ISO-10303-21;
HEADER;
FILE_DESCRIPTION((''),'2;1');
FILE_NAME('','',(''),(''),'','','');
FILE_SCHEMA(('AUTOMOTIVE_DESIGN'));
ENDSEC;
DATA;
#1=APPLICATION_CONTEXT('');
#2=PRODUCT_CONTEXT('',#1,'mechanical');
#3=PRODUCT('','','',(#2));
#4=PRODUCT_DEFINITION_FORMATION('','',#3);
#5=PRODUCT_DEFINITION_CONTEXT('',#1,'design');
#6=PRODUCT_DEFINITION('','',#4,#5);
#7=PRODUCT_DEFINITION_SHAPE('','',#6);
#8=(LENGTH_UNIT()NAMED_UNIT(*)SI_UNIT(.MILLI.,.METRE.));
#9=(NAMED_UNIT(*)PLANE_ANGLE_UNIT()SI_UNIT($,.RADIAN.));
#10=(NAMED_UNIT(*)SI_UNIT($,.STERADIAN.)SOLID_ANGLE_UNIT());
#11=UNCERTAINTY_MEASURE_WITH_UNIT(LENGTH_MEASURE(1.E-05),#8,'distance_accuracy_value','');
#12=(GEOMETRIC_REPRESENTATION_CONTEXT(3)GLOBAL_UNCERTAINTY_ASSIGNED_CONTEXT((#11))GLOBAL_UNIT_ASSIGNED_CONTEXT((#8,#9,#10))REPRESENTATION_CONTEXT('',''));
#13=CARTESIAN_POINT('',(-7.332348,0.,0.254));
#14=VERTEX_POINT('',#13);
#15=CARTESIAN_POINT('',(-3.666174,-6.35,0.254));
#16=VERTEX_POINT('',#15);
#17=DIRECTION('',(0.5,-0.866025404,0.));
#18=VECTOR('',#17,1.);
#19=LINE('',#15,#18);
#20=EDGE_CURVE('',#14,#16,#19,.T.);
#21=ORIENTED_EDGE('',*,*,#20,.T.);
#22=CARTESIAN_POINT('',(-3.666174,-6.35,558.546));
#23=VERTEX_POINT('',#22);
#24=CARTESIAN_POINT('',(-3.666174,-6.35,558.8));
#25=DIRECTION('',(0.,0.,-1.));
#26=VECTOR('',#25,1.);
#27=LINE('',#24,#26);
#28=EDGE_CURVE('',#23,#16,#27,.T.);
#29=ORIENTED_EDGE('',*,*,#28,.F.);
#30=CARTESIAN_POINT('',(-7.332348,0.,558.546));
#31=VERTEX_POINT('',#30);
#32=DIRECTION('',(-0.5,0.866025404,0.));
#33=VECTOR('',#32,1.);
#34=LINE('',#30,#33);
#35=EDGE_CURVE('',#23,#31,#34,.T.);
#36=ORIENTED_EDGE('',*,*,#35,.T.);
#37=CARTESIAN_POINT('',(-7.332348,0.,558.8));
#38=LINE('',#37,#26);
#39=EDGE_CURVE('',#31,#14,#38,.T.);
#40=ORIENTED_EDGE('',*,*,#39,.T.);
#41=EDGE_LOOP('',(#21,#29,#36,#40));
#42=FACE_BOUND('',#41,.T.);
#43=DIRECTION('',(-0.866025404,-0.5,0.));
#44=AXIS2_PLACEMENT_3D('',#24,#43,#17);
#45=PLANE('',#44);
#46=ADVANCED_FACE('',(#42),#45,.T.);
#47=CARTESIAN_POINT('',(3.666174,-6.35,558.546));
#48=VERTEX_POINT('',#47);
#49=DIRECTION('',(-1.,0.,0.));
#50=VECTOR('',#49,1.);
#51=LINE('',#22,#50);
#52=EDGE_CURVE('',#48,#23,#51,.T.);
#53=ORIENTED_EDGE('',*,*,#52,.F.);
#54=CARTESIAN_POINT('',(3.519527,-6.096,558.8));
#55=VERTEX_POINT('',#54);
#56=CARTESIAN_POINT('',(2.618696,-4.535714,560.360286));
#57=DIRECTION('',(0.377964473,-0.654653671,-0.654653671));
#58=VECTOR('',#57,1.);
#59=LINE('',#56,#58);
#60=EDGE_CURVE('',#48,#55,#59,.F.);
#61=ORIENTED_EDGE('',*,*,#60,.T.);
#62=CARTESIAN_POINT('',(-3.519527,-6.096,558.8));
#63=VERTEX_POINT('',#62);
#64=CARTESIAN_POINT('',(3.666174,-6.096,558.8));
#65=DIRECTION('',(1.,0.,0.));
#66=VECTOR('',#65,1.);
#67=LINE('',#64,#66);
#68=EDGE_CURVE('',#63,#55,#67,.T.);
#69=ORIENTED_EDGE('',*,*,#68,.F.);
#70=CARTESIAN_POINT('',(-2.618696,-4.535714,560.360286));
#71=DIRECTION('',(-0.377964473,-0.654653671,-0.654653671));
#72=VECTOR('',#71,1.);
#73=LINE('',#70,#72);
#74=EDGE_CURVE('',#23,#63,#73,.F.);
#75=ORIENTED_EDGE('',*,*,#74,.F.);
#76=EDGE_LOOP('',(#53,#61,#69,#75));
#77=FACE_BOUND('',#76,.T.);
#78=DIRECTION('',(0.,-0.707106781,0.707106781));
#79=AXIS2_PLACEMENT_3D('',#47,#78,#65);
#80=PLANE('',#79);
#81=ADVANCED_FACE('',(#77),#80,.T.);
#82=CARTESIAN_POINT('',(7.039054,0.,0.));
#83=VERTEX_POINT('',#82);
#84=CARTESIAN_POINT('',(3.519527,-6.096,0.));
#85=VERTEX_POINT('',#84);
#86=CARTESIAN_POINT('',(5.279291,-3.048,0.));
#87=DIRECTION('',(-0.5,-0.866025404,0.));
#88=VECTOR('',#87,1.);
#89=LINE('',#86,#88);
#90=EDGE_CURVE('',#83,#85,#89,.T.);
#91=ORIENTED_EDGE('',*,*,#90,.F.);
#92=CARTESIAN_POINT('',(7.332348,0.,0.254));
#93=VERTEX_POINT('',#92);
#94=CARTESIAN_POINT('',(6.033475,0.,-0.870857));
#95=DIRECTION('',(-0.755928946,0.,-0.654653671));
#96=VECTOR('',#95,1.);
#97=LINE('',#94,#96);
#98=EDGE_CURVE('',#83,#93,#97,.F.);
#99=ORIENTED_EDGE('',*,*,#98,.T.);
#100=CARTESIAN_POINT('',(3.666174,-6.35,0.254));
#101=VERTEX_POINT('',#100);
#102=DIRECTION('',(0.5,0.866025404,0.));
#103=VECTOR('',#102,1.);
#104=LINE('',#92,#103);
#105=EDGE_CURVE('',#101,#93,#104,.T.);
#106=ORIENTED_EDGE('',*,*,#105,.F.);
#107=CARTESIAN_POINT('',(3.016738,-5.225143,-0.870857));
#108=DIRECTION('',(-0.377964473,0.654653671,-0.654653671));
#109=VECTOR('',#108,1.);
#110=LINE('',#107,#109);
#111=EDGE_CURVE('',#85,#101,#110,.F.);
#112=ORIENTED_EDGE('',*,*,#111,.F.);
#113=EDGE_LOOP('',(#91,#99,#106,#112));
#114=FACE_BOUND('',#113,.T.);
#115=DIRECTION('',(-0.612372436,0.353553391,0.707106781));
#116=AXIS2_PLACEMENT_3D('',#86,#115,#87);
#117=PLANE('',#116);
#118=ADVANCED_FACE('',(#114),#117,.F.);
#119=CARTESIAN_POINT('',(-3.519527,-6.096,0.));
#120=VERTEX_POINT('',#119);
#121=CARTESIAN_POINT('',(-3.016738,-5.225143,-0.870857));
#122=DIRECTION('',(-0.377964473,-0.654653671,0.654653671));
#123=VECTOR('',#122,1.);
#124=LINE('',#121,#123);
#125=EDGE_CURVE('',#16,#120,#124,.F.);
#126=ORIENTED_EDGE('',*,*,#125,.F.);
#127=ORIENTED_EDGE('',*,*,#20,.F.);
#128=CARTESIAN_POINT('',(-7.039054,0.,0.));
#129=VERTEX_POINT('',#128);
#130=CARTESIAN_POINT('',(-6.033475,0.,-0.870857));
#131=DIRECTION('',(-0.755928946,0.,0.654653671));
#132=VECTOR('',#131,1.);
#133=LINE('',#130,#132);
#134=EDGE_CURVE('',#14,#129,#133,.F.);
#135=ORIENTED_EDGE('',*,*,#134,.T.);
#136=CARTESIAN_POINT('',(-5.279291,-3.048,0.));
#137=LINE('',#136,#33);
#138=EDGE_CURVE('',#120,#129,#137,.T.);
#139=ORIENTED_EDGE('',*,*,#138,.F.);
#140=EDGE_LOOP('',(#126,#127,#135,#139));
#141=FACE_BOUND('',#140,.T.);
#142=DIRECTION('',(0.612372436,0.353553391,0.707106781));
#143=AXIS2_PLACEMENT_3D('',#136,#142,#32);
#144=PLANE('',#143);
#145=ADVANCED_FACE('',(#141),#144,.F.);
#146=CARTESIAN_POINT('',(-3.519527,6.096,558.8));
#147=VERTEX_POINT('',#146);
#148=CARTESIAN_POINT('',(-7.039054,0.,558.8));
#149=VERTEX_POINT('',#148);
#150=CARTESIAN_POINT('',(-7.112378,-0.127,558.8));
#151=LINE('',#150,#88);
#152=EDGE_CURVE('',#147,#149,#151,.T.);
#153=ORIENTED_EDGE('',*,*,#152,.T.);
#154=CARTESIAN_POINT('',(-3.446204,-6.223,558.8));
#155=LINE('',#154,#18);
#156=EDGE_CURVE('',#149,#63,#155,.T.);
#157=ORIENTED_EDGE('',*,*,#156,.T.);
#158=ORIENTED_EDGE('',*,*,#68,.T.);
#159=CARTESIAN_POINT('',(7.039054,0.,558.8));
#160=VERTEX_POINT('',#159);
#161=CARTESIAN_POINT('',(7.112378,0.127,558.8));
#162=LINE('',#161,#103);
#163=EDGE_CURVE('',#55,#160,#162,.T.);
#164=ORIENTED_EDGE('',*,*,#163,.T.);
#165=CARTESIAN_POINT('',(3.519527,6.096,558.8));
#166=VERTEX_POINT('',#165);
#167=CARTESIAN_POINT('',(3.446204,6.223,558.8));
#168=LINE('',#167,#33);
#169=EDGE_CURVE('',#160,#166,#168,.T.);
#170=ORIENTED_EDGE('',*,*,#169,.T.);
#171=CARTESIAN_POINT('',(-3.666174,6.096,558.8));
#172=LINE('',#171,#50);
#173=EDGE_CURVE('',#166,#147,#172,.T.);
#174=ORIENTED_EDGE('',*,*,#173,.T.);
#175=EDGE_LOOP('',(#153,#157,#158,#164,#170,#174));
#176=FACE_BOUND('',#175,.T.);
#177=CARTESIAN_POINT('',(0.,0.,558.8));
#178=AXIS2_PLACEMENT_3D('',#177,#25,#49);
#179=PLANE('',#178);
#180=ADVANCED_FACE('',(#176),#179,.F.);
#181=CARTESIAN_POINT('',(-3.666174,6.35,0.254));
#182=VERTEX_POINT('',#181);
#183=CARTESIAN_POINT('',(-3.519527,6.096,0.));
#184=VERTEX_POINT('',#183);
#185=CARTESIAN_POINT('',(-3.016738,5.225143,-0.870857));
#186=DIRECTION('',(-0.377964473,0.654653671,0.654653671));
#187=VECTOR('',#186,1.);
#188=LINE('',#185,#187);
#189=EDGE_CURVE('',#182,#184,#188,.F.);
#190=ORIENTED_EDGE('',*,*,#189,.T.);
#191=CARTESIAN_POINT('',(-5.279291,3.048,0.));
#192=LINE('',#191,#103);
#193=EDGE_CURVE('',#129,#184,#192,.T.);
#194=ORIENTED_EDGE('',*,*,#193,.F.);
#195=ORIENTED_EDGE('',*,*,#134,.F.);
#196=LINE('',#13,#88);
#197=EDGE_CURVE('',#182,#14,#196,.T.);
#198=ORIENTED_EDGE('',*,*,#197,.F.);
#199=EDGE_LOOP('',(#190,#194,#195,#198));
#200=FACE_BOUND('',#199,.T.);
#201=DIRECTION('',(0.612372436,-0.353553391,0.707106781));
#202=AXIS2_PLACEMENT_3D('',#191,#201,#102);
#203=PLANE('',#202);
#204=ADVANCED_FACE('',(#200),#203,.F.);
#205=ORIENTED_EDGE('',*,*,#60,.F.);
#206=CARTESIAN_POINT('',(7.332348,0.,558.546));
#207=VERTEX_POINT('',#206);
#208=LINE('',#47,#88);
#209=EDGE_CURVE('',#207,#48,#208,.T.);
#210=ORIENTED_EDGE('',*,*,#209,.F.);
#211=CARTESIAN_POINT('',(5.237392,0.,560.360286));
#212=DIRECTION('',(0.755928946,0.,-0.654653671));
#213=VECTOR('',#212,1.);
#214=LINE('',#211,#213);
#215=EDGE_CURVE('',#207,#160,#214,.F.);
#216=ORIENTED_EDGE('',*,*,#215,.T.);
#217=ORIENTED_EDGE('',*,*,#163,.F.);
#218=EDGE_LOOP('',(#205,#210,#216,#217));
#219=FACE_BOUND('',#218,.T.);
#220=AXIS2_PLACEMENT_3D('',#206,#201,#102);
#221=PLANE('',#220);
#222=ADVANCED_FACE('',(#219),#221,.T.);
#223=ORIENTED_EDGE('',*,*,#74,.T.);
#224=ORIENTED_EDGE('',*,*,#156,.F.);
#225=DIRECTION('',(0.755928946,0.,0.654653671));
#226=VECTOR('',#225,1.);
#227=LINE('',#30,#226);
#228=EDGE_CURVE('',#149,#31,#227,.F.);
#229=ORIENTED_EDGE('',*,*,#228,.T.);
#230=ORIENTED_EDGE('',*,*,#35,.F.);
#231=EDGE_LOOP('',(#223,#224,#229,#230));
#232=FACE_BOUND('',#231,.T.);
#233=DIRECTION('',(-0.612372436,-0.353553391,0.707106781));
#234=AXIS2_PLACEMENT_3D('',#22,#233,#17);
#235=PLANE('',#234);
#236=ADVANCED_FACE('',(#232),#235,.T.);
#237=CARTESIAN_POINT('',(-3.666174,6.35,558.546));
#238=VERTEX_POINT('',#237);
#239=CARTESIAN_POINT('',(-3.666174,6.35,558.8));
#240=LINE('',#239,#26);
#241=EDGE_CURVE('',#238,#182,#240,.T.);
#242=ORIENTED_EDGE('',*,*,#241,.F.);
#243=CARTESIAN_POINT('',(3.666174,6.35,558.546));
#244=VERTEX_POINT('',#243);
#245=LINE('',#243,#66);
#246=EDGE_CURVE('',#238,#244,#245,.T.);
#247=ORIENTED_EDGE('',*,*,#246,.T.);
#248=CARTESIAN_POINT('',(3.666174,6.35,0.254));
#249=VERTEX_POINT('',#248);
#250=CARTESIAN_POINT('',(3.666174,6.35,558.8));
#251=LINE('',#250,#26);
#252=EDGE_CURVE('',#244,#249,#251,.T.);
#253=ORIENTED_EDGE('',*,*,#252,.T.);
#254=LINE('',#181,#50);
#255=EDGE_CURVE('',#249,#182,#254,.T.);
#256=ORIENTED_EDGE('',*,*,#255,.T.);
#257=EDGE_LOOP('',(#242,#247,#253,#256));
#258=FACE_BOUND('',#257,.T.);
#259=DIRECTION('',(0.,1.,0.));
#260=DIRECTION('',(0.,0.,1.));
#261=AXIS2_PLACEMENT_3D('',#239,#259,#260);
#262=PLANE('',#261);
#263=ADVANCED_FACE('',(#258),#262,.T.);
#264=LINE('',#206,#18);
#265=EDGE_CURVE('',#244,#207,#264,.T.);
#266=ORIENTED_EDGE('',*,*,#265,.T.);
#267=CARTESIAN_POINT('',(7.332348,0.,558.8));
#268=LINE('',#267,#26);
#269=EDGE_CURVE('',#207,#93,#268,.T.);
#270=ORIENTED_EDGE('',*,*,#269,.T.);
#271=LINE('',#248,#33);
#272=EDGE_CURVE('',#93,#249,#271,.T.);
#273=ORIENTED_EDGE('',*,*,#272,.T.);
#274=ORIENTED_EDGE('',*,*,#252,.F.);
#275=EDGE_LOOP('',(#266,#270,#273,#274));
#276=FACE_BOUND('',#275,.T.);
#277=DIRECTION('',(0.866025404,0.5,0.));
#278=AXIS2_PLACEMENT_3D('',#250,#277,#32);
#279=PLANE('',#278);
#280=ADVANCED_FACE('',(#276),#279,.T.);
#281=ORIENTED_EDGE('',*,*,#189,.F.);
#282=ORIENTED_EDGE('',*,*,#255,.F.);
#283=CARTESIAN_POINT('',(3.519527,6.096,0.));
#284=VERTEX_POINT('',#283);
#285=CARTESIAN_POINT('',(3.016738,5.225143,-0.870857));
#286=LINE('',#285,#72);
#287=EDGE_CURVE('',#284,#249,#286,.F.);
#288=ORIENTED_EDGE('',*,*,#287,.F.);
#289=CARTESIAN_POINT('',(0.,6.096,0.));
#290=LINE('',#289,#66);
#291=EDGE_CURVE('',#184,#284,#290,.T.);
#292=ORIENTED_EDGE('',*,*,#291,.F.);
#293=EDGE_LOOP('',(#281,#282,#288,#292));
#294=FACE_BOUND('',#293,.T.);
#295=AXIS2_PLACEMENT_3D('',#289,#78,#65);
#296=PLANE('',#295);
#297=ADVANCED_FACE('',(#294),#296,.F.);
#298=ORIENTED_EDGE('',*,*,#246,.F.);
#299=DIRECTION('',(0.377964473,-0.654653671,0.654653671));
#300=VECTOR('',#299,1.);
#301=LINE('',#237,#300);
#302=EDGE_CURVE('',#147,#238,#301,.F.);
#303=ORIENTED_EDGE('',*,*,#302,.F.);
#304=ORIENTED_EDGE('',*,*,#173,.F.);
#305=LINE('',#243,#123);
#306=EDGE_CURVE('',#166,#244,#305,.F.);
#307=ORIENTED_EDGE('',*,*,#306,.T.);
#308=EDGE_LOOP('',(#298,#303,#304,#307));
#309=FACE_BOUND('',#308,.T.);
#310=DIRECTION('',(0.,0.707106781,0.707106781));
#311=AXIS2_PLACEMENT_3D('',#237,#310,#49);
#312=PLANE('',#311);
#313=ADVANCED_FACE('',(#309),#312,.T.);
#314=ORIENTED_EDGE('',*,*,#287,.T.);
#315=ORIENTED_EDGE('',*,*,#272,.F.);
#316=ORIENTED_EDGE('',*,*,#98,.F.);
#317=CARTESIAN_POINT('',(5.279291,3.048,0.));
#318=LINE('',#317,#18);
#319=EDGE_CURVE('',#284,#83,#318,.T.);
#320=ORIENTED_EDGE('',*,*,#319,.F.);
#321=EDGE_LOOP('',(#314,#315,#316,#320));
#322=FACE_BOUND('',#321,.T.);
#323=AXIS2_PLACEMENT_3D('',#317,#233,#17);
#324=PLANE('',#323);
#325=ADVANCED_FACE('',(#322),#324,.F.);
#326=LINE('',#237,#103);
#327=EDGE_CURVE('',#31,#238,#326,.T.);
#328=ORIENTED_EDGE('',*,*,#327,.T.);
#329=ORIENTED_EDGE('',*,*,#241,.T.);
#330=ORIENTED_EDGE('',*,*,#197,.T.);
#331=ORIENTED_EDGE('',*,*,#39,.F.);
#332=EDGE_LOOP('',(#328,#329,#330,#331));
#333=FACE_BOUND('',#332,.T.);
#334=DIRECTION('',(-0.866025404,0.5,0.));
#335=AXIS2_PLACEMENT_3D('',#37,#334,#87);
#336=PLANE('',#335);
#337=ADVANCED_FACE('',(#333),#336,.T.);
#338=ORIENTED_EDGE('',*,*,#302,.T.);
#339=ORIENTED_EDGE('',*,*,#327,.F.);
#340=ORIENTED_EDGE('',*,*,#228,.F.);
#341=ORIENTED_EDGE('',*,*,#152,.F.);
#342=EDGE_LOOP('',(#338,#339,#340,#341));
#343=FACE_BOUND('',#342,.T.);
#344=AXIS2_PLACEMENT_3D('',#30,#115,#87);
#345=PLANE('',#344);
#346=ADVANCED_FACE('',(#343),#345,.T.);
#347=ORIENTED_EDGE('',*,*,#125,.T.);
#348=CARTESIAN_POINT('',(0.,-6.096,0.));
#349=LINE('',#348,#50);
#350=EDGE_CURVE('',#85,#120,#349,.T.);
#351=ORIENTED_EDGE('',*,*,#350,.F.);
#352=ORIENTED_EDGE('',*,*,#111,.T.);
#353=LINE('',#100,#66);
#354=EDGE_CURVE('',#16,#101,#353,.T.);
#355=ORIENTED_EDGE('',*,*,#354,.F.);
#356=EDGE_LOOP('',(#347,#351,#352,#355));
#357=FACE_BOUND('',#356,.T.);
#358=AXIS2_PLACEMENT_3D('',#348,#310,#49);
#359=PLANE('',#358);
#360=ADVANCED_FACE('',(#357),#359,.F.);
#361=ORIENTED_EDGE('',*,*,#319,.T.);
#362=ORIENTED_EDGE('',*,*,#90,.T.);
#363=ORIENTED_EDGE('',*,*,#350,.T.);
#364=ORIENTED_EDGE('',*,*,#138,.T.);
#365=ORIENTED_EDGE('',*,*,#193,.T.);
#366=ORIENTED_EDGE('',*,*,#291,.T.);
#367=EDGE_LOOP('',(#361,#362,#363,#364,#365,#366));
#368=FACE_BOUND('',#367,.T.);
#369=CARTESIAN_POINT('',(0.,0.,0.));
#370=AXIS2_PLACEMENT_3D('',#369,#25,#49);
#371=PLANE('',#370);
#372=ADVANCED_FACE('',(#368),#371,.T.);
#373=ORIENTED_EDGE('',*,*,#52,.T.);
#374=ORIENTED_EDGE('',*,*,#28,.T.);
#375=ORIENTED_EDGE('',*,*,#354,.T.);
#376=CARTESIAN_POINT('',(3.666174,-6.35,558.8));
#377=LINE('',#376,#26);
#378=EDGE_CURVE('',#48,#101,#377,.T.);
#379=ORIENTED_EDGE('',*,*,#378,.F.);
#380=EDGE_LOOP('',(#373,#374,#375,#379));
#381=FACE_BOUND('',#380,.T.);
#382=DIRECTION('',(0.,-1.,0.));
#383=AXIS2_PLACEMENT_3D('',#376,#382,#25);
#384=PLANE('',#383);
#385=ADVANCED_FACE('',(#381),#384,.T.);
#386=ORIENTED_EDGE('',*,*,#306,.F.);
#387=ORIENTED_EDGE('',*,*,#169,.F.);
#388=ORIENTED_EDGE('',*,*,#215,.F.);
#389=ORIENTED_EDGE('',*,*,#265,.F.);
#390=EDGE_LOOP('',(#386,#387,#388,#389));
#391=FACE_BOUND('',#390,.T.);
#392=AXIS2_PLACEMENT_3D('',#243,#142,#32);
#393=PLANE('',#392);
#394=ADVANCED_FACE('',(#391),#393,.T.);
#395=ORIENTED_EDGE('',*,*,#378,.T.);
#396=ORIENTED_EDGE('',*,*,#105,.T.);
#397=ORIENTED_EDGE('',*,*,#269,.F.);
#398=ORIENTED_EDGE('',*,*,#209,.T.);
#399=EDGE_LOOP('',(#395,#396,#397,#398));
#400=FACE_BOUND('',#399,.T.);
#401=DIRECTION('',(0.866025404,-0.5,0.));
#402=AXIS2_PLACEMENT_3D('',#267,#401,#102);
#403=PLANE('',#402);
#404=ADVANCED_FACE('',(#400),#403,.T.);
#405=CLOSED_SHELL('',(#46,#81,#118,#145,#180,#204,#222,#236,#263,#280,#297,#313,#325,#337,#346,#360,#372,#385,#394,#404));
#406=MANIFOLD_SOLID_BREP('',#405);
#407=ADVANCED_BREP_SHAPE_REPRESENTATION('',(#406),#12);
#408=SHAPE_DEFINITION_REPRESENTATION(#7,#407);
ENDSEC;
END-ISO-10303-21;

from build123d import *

# Parameters (mm, degrees)
BOSS_EXTRUDE1_DEPTH = 558.8
CHAMFER1_SIZE       = 0.254


with BuildPart() as part:
    # Sketch1 → Boss-Extrude1 (new body)
    with BuildSketch(Plane(origin=(0, 0, 0), x_dir=(-1, 0, 0), z_dir=(0, 0, -1))):
        Polygon((3.666174209, 6.35), (-3.666174209, 6.35), (-7.332348419, 0), (-3.666174209, -6.35), (3.666174209, -6.35), (7.332348419, 0), align=None)
    extrude(amount=-BOSS_EXTRUDE1_DEPTH)

    # Chamfer1
    chamfer1_edges = [part.edges().sort_by_distance(p)[0] for p in [
        (5.499261314, 3.175, 558.8),
        (5.499261314, -3.175, 558.8),
        (0, -6.35, 558.8),
        (-5.499261314, -3.175, 558.8),
        (-5.499261314, 3.175, 558.8),
        (-5.499261314, -3.175, 0),
        (0, -6.35, 0),
        (5.499261314, -3.175, 0),
        (5.499261314, 3.175, 0),
        (0, 6.35, 0),
        (-5.499261314, 3.175, 0),
        (0, 6.35, 558.8),
    ]]
    chamfer(chamfer1_edges, length=CHAMFER1_SIZE)


solid = part.part
